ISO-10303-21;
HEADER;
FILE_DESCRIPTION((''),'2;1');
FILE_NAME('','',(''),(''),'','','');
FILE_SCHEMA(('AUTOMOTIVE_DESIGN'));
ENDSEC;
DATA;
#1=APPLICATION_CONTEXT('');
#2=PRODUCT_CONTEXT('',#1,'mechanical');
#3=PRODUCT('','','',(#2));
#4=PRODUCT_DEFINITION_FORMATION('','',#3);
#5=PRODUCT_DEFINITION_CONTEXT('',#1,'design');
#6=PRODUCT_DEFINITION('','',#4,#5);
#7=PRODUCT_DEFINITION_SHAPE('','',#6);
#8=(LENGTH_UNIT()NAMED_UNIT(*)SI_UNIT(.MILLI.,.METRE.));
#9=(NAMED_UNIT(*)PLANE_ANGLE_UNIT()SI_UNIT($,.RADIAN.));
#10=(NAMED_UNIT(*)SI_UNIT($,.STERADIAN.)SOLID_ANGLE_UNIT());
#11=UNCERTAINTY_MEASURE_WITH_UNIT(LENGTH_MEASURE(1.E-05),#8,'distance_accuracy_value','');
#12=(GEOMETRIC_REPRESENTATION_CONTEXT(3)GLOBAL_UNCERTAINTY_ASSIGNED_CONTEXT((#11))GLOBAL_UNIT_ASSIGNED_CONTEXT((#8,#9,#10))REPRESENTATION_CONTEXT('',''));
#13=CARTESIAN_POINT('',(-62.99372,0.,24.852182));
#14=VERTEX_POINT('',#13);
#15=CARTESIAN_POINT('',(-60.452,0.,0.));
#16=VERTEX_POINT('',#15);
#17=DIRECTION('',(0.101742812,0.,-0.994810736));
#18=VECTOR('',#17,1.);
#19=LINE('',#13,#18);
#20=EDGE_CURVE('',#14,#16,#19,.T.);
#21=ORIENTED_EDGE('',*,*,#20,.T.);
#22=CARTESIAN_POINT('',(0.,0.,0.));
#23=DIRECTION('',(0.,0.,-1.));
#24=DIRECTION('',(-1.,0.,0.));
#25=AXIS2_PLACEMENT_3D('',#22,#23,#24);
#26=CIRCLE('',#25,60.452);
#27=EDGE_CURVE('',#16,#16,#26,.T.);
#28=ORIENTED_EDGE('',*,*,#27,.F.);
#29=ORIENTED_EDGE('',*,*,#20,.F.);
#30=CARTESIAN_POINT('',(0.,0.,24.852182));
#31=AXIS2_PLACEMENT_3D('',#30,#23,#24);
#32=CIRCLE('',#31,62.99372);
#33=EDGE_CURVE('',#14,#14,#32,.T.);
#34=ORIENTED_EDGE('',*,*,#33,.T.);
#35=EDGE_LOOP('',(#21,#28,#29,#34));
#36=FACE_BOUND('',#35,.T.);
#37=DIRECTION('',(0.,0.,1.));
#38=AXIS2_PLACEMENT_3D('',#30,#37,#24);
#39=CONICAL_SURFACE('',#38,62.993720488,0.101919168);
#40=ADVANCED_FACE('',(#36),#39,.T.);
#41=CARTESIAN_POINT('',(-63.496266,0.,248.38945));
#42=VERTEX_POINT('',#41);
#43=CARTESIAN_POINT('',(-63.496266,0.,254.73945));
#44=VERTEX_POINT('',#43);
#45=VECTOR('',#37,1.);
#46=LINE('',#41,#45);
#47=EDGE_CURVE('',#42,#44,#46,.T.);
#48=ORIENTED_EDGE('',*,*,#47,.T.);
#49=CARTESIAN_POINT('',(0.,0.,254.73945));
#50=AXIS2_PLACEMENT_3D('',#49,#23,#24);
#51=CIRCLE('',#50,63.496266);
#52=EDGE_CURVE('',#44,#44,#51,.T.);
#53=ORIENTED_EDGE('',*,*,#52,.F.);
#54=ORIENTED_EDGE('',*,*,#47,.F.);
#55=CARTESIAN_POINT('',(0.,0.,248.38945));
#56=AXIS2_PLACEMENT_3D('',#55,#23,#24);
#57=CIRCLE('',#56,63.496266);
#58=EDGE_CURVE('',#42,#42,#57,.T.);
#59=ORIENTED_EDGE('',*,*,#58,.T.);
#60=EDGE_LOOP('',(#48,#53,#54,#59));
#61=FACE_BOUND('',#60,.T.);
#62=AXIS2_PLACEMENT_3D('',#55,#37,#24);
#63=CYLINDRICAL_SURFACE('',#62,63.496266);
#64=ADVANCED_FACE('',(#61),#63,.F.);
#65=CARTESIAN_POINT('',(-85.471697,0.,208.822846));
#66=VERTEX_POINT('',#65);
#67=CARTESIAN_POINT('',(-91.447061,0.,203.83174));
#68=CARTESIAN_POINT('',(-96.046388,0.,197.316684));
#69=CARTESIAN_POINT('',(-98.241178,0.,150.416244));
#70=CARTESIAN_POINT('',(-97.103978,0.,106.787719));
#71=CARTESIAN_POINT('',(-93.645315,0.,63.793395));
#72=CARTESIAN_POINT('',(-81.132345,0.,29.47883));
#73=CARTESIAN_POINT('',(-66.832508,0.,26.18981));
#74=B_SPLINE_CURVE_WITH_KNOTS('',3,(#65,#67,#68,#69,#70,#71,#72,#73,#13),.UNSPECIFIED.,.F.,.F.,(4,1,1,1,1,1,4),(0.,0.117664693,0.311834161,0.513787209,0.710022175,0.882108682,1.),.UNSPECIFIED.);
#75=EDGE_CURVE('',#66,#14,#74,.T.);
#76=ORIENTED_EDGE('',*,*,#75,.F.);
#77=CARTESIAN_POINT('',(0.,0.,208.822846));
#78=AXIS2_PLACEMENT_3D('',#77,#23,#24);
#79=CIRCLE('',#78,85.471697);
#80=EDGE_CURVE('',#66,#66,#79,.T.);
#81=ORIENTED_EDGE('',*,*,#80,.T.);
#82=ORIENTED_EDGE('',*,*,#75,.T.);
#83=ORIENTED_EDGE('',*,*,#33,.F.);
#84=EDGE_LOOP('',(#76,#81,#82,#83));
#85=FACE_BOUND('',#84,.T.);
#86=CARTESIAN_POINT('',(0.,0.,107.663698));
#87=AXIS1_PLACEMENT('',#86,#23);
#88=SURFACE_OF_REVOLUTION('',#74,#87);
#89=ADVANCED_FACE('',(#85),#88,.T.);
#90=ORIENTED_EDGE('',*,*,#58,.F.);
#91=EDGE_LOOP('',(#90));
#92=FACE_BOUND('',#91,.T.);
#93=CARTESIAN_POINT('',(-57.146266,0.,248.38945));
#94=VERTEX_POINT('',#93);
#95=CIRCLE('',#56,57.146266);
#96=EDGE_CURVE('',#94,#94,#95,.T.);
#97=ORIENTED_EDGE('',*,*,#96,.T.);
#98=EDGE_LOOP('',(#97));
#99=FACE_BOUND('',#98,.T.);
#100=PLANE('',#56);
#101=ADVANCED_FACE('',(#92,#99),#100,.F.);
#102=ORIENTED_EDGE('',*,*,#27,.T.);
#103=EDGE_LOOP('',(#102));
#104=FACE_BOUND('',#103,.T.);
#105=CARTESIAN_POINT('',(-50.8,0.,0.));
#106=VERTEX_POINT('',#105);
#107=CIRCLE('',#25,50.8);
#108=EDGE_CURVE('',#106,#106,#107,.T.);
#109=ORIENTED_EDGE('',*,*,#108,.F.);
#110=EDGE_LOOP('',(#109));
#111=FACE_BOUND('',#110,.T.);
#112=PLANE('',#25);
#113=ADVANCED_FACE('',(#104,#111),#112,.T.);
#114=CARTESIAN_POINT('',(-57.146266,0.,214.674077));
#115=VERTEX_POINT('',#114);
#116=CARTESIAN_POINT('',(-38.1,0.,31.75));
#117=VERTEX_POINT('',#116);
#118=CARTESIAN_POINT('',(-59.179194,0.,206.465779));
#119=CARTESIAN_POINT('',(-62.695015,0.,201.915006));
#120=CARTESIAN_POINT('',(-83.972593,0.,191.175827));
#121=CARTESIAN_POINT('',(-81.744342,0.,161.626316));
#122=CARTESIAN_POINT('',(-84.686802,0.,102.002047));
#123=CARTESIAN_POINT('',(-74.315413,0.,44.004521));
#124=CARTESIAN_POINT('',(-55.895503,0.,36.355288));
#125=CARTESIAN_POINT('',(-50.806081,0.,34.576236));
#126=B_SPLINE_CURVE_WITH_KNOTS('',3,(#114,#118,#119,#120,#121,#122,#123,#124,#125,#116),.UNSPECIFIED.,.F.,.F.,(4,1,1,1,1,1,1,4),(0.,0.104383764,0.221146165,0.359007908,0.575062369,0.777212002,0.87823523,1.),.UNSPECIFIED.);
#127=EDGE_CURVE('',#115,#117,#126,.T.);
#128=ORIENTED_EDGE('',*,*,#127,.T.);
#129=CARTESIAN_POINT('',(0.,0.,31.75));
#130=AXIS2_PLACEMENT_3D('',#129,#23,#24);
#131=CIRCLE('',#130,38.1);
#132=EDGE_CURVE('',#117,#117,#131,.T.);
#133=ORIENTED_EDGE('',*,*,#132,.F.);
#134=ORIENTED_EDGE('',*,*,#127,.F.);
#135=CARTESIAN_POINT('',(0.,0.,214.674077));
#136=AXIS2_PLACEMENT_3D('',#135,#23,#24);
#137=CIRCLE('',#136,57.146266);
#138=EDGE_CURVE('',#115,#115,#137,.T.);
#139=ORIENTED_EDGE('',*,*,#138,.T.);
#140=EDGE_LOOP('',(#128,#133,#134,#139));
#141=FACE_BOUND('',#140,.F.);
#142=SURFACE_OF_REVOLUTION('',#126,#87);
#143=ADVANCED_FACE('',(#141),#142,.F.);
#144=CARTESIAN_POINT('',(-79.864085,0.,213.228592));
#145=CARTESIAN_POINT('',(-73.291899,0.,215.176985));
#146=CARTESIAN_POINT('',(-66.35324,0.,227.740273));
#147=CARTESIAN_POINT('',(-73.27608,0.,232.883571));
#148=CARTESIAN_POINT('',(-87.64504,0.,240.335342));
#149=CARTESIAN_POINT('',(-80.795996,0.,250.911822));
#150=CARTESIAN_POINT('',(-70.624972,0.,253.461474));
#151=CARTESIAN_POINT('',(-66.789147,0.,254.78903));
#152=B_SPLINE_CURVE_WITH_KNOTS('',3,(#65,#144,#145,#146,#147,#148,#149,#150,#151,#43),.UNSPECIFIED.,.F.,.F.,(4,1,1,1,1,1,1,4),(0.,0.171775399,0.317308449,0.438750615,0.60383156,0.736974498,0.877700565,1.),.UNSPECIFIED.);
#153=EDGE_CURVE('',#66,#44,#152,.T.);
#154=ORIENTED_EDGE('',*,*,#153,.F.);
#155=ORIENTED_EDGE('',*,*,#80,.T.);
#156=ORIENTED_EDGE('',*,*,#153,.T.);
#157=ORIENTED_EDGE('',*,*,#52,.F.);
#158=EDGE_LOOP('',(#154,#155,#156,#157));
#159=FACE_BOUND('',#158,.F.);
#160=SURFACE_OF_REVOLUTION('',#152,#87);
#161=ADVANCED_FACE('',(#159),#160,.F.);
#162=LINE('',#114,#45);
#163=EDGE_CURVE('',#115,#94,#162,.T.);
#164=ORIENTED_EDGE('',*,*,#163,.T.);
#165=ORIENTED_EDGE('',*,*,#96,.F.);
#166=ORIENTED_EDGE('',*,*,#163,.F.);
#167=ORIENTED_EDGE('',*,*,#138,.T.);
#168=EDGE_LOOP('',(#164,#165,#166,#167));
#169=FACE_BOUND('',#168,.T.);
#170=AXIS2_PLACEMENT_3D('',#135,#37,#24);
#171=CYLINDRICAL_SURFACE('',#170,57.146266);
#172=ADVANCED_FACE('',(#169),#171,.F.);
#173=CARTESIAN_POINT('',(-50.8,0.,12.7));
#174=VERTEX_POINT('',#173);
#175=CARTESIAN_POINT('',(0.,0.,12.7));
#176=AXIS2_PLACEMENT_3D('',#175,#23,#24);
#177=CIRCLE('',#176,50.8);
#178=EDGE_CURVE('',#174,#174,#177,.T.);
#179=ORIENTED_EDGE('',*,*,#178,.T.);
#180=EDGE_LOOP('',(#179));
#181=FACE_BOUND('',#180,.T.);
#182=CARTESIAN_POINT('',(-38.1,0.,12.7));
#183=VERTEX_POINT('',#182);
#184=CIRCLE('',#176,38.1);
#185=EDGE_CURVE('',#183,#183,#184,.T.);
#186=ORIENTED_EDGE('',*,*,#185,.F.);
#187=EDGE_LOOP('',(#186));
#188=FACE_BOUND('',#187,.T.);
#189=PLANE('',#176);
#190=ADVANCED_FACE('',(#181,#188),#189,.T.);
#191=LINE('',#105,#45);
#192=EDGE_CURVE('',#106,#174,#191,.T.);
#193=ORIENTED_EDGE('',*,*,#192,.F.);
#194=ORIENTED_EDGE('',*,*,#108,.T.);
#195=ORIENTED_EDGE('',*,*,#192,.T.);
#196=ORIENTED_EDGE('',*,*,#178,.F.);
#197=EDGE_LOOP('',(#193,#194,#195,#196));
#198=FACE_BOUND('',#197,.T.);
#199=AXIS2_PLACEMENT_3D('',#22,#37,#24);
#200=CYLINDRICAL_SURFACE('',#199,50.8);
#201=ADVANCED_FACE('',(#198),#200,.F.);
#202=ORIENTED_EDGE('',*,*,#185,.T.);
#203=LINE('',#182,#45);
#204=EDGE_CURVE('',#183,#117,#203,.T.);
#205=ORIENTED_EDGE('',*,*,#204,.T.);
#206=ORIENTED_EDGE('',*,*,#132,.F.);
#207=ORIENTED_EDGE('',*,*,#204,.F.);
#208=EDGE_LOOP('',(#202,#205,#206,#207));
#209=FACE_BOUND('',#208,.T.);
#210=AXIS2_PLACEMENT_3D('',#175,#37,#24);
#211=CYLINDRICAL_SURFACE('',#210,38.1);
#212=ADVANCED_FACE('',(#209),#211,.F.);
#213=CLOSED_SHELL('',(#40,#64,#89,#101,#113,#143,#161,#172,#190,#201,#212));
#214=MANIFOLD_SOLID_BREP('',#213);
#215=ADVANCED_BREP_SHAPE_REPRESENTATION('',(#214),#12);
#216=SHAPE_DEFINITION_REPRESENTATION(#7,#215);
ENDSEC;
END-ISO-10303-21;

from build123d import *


with BuildPart() as f1:
    # F0 (on Front) → F1 (revolve)
    with BuildSketch(Plane.XZ):
        with BuildLine():
            Line((-50.8, 12.7), (-38.1, 12.7))
            Line((-38.1, 12.7), (-38.1, 31.75))
            add(Edge.make_bspline(
                [(-57.1462656052, 214.6740767193), (-59.1791938691, 206.4657785568), (-62.6950145123, 201.9150055899), (-83.9725929419, 191.1758268104), (-81.7443419875, 161.6263158362), (-84.6868020565, 102.0020472742), (-74.3154134501, 44.0045205115), (-55.8955026796, 36.3552876567), (-50.8060806476, 34.5762356906), (-38.1, 31.75)],
                knots=[0, 0, 0, 0, 0.1043837637, 0.2211461652, 0.359007908, 0.575062369, 0.7772120017, 0.8782352298, 1, 1, 1, 1], degree=3))
            Line((-57.1462656052, 214.6740767193), (-57.1462656052, 248.3894495755))
            Line((-57.1462656052, 248.3894495755), (-63.4962656052, 248.3894495755))
            Line((-63.4962656052, 248.3894495755), (-63.4962656052, 254.7394495755))
            add(Edge.make_bspline(
                [(-85.4716971517, 208.8228464127), (-79.8640849694, 213.228592445), (-73.2918993363, 215.1769851859), (-66.3532398089, 227.7402729948), (-73.2760800311, 232.883571341), (-87.6450404743, 240.3353415523), (-80.7959964233, 250.9118224602), (-70.6249718462, 253.4614744477), (-66.7891470079, 254.7890299306), (-63.4962656052, 254.7394495755)],
                knots=[0, 0, 0, 0, 0.1717753988, 0.3173084488, 0.4387506149, 0.6038315597, 0.7369744976, 0.8777005649, 1, 1, 1, 1], degree=3))
            add(Edge.make_bspline(
                [(-85.4716971517, 208.8228464127), (-91.4470612347, 203.831740195), (-96.0463875097, 197.3166842881), (-98.2411778707, 150.4162443361), (-97.103977767, 106.7877189637), (-93.6453150365, 63.7933945229), (-81.1323445186, 29.4788300178), (-66.8325079994, 26.1898097816), (-62.9937204877, 24.8521815788)],
                knots=[0, 0, 0, 0, 0.1176646929, 0.3118341607, 0.5137872091, 0.710022175, 0.8821086822, 1, 1, 1, 1], degree=3))
            Line((-62.9937204877, 24.8521815788), (-60.452, 0))
            Line((-60.452, 0), (-50.8, 0))
            Line((-50.8, 0), (-50.8, 12.7))
        make_face()
    revolve(axis=Axis((0, 0, 107.6636984944), (0, 0, -1)))


solid = f1.part
